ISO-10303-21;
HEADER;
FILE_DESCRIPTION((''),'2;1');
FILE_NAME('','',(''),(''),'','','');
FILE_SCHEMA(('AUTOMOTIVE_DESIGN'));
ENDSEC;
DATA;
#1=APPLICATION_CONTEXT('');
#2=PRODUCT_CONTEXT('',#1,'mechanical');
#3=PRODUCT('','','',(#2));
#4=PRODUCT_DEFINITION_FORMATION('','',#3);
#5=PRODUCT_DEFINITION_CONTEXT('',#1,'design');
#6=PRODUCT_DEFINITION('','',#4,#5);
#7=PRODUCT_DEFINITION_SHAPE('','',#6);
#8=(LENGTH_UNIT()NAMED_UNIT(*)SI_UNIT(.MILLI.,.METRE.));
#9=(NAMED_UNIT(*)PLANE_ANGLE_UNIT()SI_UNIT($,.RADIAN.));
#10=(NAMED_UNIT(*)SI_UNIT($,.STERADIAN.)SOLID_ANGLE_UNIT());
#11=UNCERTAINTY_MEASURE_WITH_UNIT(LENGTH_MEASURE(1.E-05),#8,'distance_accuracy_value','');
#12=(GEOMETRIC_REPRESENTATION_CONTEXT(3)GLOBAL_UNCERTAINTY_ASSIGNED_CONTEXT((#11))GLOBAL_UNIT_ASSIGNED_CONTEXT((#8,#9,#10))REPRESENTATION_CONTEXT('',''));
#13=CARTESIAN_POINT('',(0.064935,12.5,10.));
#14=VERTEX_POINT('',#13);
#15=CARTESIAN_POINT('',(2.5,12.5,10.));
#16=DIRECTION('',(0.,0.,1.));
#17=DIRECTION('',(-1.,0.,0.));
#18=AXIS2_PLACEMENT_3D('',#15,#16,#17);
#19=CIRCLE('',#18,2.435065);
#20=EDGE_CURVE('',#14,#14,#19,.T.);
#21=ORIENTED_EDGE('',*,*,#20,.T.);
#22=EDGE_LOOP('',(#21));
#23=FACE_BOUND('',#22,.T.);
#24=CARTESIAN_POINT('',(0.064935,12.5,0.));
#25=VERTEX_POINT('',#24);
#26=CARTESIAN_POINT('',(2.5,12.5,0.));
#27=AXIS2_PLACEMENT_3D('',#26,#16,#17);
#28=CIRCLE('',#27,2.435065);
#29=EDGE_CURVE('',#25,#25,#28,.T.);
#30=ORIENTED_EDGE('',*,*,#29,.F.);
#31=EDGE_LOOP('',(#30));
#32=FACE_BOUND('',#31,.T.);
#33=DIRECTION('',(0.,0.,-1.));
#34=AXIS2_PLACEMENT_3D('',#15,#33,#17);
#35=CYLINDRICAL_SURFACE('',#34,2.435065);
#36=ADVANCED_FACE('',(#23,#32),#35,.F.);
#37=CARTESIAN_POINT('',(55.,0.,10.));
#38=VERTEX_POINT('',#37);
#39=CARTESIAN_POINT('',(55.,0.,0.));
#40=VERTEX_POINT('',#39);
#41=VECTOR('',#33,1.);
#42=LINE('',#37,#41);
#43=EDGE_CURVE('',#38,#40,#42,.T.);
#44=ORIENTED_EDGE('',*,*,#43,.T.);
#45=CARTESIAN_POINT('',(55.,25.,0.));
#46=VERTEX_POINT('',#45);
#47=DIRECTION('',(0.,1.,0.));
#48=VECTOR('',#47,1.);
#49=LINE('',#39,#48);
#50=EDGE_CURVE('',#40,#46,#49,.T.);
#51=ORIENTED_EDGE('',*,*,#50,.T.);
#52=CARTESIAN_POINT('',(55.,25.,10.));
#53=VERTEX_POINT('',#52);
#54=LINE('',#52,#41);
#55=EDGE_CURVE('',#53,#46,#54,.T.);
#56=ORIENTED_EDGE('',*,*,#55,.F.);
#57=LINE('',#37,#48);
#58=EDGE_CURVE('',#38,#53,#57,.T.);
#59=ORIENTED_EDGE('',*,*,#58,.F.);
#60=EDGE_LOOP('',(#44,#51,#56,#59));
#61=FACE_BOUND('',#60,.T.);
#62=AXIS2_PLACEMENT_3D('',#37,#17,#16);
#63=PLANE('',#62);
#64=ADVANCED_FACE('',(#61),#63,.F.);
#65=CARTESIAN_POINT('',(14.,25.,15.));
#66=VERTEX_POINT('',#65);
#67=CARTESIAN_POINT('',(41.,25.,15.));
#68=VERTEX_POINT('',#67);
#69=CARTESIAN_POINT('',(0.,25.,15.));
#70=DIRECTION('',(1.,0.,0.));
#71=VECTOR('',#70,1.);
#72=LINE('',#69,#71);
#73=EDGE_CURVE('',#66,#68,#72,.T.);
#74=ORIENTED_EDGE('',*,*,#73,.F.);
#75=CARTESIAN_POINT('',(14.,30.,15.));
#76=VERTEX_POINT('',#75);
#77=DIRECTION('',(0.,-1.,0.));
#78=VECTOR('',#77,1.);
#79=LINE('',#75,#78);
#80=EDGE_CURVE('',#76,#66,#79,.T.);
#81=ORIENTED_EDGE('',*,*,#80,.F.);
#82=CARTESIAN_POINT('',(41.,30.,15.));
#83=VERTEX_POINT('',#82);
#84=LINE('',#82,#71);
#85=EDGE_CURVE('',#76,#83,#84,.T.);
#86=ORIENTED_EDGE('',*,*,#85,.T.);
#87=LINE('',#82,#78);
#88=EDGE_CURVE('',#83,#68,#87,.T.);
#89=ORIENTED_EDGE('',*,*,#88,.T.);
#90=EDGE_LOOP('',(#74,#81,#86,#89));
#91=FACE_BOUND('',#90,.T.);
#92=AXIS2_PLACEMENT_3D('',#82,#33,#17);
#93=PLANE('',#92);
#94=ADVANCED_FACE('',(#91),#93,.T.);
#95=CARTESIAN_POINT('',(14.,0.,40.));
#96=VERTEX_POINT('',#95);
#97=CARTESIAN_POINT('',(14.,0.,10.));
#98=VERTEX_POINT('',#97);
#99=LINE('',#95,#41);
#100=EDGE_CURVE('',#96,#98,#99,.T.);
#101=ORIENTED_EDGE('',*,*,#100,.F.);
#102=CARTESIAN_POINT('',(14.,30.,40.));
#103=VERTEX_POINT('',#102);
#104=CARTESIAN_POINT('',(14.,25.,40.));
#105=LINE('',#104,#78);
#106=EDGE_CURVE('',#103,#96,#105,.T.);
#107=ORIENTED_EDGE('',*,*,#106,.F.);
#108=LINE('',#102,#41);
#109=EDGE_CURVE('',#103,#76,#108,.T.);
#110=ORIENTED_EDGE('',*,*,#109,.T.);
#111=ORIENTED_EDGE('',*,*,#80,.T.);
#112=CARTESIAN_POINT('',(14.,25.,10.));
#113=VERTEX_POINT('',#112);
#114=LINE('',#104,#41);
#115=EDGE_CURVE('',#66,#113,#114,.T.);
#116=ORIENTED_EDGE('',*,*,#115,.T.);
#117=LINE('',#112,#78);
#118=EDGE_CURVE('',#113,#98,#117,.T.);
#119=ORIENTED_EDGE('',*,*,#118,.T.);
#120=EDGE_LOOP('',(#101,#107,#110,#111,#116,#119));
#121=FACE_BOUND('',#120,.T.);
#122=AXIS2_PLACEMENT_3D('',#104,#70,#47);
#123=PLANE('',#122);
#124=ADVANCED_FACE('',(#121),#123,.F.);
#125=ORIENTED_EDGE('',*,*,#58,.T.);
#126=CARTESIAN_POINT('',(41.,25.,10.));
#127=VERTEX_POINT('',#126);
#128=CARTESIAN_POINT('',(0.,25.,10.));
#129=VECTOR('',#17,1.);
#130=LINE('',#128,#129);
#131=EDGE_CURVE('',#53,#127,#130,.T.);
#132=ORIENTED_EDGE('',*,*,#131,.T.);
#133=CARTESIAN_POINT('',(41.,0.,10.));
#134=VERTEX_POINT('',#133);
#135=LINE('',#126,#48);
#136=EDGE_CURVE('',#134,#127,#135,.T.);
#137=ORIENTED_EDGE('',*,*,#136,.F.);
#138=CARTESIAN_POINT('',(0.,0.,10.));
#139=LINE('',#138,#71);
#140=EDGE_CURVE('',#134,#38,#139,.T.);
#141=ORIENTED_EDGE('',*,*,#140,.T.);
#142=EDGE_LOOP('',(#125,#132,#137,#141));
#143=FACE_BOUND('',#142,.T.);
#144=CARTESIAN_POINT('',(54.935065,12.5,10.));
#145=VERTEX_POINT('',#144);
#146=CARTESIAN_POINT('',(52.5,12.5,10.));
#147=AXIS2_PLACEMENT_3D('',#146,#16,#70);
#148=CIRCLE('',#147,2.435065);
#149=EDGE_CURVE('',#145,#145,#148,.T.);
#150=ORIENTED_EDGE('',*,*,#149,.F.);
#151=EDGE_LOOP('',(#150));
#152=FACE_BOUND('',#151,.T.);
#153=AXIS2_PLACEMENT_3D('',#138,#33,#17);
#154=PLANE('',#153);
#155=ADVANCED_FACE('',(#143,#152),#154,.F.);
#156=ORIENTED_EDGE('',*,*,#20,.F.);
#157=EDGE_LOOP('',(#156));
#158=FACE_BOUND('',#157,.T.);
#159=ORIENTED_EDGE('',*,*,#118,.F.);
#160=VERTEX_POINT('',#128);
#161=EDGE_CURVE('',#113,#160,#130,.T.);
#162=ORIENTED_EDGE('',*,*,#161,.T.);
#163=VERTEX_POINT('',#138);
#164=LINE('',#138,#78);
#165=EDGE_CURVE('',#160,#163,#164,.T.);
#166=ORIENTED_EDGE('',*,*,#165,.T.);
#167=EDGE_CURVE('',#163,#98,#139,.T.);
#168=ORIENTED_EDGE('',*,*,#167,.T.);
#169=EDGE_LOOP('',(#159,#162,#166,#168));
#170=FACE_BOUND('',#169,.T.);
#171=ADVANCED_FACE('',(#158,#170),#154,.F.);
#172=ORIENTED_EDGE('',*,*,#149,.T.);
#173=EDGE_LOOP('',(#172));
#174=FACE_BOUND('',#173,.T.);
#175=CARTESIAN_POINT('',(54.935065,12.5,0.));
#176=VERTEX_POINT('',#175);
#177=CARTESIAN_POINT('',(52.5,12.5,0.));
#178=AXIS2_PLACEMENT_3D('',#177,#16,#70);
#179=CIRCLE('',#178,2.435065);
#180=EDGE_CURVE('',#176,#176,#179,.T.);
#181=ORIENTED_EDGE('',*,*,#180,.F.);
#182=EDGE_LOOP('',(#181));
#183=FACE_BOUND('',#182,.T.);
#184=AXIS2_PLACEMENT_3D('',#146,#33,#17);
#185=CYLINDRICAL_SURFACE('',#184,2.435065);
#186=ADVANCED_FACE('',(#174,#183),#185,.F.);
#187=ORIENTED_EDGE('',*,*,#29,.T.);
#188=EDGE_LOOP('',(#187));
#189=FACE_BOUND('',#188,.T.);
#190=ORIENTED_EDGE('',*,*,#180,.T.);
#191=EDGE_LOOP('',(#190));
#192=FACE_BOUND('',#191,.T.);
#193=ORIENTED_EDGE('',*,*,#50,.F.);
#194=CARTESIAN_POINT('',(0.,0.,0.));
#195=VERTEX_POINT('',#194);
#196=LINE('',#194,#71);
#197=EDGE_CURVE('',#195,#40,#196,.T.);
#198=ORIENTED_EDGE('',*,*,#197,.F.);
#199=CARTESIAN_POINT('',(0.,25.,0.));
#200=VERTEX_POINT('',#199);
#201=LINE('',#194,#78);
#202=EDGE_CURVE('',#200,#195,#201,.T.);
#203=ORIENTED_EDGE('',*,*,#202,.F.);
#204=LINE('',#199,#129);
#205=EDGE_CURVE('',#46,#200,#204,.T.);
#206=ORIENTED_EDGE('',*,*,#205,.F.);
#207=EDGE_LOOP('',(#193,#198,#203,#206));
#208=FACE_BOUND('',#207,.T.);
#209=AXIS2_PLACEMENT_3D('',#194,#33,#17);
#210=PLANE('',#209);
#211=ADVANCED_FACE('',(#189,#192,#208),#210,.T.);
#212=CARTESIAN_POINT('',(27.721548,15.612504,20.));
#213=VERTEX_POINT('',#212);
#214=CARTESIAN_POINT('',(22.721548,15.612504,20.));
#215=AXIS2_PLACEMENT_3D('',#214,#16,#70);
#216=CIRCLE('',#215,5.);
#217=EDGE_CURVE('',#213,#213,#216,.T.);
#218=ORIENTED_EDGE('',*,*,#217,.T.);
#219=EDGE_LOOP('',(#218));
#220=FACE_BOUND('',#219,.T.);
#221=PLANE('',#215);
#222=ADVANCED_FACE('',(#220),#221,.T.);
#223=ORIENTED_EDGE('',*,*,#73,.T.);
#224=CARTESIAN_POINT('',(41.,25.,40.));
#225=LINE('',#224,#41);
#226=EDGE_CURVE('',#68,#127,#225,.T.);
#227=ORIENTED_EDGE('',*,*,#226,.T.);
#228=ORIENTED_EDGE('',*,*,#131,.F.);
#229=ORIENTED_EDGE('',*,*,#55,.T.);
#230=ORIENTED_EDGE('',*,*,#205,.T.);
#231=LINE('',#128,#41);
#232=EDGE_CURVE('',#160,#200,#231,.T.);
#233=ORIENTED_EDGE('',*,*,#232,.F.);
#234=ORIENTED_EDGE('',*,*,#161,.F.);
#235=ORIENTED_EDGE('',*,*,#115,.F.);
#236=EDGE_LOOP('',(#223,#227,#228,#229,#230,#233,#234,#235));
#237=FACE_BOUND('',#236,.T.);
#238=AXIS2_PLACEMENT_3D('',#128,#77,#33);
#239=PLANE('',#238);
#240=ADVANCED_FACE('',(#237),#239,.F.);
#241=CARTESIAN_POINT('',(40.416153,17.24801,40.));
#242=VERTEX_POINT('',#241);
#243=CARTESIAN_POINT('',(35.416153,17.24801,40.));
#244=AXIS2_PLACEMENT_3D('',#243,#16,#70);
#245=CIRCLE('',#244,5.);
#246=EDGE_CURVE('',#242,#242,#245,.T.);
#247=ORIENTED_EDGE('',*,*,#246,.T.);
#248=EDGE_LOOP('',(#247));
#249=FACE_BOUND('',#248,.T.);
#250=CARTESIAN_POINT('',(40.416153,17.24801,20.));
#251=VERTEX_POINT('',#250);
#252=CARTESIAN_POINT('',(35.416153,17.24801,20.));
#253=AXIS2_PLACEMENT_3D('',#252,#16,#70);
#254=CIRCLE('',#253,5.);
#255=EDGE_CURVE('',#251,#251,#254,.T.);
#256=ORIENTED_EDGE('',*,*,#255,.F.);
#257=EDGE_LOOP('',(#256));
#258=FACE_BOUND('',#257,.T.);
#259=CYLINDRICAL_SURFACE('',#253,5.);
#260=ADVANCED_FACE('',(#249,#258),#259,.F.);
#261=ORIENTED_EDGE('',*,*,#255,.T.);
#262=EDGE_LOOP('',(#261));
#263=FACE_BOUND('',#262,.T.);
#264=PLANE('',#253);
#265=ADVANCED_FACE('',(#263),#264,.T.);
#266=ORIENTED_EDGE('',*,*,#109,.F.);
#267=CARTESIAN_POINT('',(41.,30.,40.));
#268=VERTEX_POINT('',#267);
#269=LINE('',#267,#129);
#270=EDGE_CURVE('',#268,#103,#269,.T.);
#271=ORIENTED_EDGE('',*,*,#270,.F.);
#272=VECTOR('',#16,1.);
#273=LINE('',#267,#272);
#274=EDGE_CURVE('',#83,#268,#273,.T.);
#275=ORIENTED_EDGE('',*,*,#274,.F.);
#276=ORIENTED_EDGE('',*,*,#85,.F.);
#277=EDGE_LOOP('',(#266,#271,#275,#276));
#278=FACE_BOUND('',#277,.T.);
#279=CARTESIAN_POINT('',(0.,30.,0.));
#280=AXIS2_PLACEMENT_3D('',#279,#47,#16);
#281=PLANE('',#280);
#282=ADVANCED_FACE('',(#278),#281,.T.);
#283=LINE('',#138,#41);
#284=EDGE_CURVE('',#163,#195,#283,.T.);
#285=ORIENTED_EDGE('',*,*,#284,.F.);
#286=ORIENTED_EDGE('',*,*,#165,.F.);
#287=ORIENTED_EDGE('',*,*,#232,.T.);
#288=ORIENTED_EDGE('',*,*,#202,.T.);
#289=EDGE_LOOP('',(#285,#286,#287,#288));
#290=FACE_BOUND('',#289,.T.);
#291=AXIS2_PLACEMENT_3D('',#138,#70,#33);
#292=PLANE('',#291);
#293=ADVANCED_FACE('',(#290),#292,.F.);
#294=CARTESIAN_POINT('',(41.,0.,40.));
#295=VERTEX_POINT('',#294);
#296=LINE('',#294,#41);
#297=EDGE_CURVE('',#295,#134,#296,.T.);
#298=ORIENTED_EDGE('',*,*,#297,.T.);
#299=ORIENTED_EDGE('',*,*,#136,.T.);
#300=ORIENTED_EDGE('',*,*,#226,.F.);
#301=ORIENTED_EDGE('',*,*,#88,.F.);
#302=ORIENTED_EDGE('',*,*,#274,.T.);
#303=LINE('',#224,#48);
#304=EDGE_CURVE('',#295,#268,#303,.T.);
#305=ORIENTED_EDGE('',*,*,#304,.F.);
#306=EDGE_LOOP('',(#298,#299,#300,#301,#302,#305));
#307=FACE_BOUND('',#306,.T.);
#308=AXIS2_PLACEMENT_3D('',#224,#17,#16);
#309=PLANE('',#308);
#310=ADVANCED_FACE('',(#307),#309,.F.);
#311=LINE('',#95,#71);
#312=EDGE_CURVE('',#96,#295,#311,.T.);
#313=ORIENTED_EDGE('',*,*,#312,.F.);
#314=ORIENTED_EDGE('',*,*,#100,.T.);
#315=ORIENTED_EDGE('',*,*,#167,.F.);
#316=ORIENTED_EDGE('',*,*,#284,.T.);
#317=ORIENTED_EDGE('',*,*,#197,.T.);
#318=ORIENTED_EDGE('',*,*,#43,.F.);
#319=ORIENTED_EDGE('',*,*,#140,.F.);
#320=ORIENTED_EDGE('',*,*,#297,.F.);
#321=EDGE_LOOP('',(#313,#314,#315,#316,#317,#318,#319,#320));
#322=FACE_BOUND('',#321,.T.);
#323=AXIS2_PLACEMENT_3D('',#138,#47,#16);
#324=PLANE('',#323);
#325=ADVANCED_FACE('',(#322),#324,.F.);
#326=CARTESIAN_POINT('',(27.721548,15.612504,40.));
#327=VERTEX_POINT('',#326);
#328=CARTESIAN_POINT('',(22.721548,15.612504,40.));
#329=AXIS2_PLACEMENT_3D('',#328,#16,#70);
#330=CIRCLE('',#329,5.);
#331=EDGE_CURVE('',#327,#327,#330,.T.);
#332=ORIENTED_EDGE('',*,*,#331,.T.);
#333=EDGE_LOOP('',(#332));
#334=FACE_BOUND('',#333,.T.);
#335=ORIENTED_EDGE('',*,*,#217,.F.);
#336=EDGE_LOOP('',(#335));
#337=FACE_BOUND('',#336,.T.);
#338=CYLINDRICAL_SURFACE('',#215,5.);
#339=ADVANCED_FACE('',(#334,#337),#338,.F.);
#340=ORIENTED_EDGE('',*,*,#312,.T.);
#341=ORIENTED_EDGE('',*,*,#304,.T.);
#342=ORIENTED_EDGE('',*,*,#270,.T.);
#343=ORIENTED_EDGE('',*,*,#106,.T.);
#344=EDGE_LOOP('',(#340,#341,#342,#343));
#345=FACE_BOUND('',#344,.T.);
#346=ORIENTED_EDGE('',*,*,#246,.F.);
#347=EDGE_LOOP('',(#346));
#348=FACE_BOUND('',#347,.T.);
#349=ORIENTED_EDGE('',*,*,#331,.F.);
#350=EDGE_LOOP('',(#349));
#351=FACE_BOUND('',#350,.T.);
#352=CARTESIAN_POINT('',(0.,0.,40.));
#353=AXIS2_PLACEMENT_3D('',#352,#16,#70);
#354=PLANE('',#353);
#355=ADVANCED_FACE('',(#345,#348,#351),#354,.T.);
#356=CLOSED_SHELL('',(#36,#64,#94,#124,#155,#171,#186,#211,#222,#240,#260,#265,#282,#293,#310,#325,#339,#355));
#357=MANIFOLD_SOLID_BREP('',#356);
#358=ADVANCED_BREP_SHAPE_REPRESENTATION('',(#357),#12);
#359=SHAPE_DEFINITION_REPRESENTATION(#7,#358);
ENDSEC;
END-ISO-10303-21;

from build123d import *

# Parameters (mm, degrees)
SKETCH1_W           = 55
SKETCH1_H           = 25
SKETCH1_R           = 2.435064935
BOSS_EXTRUDE1_DEPTH = 10
SKETCH2_W           = 27
SKETCH2_H           = 25
BOSS_EXTRUDE2_DEPTH = 30
SKETCH3_W           = 27
SKETCH3_H           = 25
BOSS_EXTRUDE3_DEPTH = 30
SKETCH4_R           = 5
CUT_EXTRUDE1_DEPTH  = 20


with BuildPart() as part:
    # Sketch1 → Boss-Extrude1 (new body)
    with BuildSketch(Plane.XY):
        with Locations((27.5, 12.5)):
            Rectangle(SKETCH1_W, SKETCH1_H)
        with Locations((52.5, 12.5)):
            Circle(SKETCH1_R, mode=Mode.SUBTRACT)
        with Locations((2.5, 12.5)):
            Circle(SKETCH1_R, mode=Mode.SUBTRACT)
    extrude(amount=BOSS_EXTRUDE1_DEPTH)

    # Sketch2 → Boss-Extrude2 (add)
    with BuildSketch(Plane.XY.offset(10)):
        with Locations((27.5, 12.5)):
            Rectangle(SKETCH2_W, SKETCH2_H)
    extrude(amount=BOSS_EXTRUDE2_DEPTH)

    # Sketch3 → Boss-Extrude3 (add)
    with BuildSketch(Plane.XZ):
        with Locations((27.5, 27.5)):
            Rectangle(SKETCH3_W, SKETCH3_H)
    extrude(amount=-BOSS_EXTRUDE3_DEPTH)

    # Sketch4 → Cut-Extrude1 (cut)
    with BuildSketch(Plane.XY.offset(40)):
        with Locations((22.7215485, 15.612504219)):
            Circle(SKETCH4_R)
        with Locations((35.41615295, 17.248010158)):
            Circle(SKETCH4_R)
    extrude(amount=-CUT_EXTRUDE1_DEPTH, mode=Mode.SUBTRACT)


solid = part.part
